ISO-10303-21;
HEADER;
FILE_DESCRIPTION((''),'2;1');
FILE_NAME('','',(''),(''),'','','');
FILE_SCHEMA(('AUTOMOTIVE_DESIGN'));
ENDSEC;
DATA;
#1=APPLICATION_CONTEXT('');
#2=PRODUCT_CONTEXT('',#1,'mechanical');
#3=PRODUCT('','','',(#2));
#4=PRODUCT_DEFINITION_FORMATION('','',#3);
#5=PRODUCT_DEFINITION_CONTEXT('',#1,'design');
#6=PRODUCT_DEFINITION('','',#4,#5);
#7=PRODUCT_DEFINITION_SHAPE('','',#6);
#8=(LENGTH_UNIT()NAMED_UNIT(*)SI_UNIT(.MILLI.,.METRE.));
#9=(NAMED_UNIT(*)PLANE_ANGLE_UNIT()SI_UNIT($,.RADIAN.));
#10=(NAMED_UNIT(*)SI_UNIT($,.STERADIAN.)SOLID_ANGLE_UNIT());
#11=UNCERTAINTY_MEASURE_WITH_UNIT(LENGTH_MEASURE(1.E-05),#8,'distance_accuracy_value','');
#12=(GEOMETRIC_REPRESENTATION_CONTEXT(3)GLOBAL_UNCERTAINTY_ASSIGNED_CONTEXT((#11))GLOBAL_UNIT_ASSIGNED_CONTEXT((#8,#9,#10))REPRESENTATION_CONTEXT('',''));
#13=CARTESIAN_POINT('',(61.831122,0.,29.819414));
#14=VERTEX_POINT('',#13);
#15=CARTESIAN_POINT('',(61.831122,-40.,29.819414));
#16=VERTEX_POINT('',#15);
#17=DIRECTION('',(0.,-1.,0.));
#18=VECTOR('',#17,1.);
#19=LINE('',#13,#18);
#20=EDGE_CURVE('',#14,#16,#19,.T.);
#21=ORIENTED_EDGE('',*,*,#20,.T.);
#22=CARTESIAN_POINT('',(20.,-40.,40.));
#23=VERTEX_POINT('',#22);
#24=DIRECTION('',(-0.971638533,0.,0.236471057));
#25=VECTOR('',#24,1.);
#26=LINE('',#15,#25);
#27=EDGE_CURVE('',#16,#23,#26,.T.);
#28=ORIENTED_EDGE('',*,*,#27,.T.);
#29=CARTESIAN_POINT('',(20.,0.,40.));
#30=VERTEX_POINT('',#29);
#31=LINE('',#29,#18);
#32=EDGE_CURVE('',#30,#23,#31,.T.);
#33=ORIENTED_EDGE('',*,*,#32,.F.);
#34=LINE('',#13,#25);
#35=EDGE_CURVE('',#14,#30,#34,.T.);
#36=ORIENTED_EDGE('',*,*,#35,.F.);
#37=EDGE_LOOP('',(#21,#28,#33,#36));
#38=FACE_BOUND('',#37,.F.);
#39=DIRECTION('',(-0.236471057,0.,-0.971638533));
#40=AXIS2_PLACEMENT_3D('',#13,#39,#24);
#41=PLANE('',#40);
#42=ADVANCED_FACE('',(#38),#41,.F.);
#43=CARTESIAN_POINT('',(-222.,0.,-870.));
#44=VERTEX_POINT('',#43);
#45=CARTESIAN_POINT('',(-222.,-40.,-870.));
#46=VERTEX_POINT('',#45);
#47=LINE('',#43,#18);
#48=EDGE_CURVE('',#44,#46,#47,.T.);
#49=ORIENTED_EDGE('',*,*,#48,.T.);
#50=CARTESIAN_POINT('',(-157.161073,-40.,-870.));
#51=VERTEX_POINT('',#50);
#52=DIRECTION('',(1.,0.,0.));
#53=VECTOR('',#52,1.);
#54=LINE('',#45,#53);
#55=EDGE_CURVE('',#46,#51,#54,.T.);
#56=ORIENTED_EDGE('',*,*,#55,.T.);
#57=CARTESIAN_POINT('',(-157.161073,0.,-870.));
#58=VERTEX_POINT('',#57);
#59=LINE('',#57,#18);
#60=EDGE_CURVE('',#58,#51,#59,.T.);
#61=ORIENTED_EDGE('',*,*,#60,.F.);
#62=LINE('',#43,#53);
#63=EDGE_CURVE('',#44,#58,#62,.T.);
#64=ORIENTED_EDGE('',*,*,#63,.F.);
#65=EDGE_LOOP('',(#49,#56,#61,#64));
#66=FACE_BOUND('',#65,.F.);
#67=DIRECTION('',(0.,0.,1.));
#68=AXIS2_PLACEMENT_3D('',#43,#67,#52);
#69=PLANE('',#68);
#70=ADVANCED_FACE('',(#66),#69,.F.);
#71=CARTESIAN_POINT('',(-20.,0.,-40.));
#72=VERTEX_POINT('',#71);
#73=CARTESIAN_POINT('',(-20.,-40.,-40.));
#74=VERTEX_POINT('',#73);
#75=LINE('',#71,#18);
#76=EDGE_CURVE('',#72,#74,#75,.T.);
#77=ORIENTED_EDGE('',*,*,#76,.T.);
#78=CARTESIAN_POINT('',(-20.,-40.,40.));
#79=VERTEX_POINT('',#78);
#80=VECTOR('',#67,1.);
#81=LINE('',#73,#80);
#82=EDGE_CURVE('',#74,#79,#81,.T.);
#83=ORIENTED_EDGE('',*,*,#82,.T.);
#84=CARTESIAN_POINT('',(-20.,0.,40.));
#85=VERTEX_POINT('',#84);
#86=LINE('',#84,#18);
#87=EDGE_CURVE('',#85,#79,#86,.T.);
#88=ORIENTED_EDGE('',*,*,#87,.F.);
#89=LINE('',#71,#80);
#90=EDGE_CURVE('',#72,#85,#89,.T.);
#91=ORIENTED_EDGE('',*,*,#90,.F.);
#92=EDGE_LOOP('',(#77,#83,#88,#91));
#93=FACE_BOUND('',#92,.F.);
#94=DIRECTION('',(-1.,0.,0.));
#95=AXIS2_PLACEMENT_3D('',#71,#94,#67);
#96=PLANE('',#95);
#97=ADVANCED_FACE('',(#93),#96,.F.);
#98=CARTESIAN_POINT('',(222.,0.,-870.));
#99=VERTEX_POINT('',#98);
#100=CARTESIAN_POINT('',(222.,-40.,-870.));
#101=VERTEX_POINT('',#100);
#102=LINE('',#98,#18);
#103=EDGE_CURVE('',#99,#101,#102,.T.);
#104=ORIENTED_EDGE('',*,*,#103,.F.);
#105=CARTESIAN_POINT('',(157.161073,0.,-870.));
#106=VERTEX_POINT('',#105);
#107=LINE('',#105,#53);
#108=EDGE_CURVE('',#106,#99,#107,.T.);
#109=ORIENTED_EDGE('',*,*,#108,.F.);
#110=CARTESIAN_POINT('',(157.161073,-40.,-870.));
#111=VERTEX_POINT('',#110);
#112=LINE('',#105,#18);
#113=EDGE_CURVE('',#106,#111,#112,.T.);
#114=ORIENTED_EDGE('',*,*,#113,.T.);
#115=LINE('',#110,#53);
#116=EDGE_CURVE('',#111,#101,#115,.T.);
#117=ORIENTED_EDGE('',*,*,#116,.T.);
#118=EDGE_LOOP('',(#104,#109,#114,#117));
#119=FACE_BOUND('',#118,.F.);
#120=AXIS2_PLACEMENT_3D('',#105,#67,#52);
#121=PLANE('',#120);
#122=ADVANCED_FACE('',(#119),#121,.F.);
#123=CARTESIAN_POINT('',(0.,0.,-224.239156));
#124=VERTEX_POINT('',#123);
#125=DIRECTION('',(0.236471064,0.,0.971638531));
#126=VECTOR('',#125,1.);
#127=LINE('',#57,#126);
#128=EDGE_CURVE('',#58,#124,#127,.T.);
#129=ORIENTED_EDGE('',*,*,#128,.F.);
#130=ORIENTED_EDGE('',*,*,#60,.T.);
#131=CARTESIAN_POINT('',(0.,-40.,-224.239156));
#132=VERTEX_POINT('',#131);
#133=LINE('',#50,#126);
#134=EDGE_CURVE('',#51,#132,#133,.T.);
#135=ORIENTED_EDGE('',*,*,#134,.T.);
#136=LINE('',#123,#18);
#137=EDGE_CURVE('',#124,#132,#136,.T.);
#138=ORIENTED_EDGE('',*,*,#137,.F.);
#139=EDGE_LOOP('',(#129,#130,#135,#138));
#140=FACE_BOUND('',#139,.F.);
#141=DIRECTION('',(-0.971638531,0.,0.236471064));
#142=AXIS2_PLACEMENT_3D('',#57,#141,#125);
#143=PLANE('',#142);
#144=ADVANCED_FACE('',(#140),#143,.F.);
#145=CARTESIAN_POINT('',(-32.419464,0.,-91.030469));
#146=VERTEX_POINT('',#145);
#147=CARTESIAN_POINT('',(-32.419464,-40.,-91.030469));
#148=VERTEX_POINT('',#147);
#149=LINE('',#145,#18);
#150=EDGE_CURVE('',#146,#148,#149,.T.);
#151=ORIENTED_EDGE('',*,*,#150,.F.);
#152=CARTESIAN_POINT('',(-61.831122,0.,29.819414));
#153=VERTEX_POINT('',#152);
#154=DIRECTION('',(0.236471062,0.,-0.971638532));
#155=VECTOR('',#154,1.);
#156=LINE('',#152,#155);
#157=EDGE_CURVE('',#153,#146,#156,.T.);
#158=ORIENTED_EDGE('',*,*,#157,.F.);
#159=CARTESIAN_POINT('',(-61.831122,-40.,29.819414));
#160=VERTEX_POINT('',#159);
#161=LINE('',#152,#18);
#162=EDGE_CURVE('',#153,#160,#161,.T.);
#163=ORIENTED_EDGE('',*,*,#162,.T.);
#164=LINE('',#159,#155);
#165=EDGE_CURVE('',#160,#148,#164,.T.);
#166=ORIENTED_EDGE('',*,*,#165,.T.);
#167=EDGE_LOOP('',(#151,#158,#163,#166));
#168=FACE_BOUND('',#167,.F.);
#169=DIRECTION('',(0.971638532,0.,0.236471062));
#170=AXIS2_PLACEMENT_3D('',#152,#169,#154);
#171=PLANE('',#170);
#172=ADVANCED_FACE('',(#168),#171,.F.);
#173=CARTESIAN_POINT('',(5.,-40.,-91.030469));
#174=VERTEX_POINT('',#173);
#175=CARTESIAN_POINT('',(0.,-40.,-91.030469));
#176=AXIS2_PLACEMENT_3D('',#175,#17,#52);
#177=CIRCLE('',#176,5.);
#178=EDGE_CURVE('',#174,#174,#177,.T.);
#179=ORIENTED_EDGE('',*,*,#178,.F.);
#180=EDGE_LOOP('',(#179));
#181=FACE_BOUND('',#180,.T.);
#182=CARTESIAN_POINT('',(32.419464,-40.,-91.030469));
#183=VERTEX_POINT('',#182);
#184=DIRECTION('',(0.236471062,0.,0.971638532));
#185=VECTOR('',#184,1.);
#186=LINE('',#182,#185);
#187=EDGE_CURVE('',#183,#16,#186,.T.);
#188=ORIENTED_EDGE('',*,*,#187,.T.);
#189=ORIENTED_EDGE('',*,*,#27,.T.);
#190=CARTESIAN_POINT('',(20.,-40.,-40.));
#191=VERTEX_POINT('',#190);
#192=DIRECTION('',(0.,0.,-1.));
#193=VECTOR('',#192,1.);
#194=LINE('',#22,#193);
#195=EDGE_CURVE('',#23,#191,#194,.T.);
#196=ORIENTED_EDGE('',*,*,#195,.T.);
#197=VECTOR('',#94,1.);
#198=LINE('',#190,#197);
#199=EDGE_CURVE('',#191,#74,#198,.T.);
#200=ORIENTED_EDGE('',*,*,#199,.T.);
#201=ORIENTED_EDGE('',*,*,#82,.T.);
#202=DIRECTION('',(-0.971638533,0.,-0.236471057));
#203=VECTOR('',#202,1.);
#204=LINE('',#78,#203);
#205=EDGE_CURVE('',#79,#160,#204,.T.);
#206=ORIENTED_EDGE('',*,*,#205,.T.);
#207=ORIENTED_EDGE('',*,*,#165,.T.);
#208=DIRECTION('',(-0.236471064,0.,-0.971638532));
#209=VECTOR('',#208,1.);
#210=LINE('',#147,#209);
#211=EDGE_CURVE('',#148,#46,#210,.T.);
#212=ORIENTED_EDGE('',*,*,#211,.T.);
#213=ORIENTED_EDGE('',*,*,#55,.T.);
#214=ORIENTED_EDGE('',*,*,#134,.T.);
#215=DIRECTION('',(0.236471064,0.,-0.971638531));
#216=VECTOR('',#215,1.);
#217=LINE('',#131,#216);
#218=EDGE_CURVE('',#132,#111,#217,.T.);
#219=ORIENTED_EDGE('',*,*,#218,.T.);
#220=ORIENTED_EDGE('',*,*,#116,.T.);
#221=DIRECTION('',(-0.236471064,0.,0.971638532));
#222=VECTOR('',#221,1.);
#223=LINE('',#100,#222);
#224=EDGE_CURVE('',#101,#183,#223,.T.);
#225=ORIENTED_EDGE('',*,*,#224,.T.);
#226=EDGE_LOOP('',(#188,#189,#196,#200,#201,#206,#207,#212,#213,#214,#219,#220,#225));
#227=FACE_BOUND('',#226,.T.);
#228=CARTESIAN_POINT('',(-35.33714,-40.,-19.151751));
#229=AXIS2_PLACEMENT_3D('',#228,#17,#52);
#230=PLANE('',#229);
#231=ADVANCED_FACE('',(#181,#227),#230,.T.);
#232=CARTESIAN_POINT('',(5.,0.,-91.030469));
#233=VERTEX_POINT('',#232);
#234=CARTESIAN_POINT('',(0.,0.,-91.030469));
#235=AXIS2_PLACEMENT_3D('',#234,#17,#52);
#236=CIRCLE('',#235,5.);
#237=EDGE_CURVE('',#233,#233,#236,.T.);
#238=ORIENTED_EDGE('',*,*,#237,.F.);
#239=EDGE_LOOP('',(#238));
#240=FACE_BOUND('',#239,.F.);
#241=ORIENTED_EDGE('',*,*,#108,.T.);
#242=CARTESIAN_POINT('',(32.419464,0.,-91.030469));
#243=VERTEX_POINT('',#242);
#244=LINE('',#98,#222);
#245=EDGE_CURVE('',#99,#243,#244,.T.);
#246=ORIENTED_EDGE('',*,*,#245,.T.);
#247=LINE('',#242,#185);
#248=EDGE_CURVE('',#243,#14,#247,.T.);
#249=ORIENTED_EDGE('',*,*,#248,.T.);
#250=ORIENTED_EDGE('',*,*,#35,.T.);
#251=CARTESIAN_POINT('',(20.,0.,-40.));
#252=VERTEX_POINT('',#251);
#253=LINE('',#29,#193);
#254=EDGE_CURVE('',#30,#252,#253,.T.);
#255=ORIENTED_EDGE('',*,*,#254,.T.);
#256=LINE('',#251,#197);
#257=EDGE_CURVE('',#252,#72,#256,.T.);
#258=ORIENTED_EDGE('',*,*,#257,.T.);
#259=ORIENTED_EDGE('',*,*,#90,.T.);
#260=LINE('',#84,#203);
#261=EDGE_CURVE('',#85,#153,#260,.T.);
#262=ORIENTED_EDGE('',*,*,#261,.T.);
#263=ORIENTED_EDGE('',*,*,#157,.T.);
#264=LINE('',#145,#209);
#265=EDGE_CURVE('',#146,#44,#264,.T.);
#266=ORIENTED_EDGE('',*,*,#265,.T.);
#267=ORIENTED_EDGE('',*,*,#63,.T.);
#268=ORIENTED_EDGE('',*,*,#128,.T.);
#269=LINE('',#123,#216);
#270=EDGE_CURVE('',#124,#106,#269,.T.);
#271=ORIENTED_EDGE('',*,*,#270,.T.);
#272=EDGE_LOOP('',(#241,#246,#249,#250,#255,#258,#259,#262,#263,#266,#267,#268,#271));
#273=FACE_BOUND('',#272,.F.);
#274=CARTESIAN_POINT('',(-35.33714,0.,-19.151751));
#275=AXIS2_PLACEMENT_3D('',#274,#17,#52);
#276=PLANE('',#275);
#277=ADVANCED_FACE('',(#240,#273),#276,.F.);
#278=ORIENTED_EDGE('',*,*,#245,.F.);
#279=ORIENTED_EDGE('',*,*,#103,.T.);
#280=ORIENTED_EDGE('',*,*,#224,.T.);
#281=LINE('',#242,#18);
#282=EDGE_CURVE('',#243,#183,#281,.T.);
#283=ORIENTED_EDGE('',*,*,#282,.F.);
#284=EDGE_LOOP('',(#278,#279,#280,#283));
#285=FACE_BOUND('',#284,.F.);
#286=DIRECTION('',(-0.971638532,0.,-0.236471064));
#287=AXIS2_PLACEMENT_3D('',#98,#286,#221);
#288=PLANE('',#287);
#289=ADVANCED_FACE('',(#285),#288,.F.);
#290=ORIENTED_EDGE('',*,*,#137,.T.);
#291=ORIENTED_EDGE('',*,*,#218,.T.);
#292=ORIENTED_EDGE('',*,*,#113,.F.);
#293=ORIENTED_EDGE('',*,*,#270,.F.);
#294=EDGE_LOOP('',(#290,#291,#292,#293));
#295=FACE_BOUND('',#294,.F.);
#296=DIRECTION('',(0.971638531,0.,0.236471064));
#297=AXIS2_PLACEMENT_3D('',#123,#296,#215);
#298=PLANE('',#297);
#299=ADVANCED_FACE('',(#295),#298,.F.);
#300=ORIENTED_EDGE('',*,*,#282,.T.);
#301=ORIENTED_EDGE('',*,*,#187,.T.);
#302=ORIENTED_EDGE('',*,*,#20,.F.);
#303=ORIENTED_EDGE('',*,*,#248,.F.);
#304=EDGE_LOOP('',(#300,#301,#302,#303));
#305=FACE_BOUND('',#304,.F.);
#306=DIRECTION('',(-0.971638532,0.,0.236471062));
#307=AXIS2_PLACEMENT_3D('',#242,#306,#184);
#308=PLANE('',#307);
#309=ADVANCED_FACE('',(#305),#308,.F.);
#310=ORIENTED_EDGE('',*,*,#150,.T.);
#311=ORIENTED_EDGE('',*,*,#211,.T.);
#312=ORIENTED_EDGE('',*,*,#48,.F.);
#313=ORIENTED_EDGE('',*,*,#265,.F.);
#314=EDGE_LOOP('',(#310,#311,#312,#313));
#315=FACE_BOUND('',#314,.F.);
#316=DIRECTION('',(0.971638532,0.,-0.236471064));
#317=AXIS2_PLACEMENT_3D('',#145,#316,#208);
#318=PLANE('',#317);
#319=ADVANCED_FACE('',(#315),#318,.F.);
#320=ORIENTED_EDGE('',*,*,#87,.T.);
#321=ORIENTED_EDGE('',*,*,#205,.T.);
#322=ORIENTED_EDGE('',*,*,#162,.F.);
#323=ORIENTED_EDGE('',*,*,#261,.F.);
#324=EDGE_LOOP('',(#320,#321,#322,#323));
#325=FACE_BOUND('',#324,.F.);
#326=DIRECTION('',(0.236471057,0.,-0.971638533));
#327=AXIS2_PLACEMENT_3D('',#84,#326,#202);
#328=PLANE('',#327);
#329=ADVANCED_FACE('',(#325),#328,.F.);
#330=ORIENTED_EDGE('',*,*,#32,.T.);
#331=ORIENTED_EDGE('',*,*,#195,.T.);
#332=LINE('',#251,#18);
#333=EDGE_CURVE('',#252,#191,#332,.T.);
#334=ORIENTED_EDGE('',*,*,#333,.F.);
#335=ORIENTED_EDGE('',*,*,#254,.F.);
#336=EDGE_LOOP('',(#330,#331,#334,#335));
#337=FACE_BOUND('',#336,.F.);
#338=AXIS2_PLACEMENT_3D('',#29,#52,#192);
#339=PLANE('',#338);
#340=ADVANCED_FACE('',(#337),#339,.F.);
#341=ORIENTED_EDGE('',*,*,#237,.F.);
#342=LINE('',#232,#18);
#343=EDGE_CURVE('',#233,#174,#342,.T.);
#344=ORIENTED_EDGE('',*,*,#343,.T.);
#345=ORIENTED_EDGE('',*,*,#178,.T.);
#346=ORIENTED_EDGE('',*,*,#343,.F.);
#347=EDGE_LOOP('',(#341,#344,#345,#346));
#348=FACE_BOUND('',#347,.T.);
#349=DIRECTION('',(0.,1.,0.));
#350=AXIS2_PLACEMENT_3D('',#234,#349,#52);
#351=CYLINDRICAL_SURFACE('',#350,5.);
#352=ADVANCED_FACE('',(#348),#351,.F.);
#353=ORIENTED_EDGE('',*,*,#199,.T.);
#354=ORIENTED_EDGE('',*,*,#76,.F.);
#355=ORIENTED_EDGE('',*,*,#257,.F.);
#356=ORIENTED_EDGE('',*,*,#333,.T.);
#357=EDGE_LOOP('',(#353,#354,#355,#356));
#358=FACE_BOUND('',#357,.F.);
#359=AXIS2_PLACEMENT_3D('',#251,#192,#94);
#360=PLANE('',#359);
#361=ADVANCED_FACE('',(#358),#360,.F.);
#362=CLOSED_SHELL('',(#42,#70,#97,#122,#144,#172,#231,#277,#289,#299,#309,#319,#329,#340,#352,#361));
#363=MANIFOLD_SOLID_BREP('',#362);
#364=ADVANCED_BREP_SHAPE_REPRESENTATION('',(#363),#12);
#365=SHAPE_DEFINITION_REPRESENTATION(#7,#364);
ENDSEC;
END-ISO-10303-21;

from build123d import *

# Parameters (mm, degrees)
F1_R     = 5
F2_DEPTH = 40


with BuildPart() as f2:
    # F1 (on Front) → F2 (new body)
    with BuildSketch(Plane.XZ):
        Polygon((-20, 40), (-61.831122, 29.819414), (-32.419464, -91.030469), (-20, -40), align=None)
        Polygon((-20, -40), (-32.419464, -91.030469), (0, -224.239156), (32.419464, -91.030469), (20, -40), align=None)
        with Locations((0, -91.030469)):
            Circle(F1_R, mode=Mode.SUBTRACT)
        Polygon((0, -224.239156), (-32.419464, -91.030469), (-222, -870), (-157.161073, -870), align=None)
        Polygon((32.419464, -91.030469), (0, -224.239156), (157.161073, -870), (222, -870), align=None)
        Polygon((20, -40), (32.419464, -91.030469), (61.831122, 29.819414), (20, 40), align=None)
    extrude(amount=F2_DEPTH)


solid = f2.part
